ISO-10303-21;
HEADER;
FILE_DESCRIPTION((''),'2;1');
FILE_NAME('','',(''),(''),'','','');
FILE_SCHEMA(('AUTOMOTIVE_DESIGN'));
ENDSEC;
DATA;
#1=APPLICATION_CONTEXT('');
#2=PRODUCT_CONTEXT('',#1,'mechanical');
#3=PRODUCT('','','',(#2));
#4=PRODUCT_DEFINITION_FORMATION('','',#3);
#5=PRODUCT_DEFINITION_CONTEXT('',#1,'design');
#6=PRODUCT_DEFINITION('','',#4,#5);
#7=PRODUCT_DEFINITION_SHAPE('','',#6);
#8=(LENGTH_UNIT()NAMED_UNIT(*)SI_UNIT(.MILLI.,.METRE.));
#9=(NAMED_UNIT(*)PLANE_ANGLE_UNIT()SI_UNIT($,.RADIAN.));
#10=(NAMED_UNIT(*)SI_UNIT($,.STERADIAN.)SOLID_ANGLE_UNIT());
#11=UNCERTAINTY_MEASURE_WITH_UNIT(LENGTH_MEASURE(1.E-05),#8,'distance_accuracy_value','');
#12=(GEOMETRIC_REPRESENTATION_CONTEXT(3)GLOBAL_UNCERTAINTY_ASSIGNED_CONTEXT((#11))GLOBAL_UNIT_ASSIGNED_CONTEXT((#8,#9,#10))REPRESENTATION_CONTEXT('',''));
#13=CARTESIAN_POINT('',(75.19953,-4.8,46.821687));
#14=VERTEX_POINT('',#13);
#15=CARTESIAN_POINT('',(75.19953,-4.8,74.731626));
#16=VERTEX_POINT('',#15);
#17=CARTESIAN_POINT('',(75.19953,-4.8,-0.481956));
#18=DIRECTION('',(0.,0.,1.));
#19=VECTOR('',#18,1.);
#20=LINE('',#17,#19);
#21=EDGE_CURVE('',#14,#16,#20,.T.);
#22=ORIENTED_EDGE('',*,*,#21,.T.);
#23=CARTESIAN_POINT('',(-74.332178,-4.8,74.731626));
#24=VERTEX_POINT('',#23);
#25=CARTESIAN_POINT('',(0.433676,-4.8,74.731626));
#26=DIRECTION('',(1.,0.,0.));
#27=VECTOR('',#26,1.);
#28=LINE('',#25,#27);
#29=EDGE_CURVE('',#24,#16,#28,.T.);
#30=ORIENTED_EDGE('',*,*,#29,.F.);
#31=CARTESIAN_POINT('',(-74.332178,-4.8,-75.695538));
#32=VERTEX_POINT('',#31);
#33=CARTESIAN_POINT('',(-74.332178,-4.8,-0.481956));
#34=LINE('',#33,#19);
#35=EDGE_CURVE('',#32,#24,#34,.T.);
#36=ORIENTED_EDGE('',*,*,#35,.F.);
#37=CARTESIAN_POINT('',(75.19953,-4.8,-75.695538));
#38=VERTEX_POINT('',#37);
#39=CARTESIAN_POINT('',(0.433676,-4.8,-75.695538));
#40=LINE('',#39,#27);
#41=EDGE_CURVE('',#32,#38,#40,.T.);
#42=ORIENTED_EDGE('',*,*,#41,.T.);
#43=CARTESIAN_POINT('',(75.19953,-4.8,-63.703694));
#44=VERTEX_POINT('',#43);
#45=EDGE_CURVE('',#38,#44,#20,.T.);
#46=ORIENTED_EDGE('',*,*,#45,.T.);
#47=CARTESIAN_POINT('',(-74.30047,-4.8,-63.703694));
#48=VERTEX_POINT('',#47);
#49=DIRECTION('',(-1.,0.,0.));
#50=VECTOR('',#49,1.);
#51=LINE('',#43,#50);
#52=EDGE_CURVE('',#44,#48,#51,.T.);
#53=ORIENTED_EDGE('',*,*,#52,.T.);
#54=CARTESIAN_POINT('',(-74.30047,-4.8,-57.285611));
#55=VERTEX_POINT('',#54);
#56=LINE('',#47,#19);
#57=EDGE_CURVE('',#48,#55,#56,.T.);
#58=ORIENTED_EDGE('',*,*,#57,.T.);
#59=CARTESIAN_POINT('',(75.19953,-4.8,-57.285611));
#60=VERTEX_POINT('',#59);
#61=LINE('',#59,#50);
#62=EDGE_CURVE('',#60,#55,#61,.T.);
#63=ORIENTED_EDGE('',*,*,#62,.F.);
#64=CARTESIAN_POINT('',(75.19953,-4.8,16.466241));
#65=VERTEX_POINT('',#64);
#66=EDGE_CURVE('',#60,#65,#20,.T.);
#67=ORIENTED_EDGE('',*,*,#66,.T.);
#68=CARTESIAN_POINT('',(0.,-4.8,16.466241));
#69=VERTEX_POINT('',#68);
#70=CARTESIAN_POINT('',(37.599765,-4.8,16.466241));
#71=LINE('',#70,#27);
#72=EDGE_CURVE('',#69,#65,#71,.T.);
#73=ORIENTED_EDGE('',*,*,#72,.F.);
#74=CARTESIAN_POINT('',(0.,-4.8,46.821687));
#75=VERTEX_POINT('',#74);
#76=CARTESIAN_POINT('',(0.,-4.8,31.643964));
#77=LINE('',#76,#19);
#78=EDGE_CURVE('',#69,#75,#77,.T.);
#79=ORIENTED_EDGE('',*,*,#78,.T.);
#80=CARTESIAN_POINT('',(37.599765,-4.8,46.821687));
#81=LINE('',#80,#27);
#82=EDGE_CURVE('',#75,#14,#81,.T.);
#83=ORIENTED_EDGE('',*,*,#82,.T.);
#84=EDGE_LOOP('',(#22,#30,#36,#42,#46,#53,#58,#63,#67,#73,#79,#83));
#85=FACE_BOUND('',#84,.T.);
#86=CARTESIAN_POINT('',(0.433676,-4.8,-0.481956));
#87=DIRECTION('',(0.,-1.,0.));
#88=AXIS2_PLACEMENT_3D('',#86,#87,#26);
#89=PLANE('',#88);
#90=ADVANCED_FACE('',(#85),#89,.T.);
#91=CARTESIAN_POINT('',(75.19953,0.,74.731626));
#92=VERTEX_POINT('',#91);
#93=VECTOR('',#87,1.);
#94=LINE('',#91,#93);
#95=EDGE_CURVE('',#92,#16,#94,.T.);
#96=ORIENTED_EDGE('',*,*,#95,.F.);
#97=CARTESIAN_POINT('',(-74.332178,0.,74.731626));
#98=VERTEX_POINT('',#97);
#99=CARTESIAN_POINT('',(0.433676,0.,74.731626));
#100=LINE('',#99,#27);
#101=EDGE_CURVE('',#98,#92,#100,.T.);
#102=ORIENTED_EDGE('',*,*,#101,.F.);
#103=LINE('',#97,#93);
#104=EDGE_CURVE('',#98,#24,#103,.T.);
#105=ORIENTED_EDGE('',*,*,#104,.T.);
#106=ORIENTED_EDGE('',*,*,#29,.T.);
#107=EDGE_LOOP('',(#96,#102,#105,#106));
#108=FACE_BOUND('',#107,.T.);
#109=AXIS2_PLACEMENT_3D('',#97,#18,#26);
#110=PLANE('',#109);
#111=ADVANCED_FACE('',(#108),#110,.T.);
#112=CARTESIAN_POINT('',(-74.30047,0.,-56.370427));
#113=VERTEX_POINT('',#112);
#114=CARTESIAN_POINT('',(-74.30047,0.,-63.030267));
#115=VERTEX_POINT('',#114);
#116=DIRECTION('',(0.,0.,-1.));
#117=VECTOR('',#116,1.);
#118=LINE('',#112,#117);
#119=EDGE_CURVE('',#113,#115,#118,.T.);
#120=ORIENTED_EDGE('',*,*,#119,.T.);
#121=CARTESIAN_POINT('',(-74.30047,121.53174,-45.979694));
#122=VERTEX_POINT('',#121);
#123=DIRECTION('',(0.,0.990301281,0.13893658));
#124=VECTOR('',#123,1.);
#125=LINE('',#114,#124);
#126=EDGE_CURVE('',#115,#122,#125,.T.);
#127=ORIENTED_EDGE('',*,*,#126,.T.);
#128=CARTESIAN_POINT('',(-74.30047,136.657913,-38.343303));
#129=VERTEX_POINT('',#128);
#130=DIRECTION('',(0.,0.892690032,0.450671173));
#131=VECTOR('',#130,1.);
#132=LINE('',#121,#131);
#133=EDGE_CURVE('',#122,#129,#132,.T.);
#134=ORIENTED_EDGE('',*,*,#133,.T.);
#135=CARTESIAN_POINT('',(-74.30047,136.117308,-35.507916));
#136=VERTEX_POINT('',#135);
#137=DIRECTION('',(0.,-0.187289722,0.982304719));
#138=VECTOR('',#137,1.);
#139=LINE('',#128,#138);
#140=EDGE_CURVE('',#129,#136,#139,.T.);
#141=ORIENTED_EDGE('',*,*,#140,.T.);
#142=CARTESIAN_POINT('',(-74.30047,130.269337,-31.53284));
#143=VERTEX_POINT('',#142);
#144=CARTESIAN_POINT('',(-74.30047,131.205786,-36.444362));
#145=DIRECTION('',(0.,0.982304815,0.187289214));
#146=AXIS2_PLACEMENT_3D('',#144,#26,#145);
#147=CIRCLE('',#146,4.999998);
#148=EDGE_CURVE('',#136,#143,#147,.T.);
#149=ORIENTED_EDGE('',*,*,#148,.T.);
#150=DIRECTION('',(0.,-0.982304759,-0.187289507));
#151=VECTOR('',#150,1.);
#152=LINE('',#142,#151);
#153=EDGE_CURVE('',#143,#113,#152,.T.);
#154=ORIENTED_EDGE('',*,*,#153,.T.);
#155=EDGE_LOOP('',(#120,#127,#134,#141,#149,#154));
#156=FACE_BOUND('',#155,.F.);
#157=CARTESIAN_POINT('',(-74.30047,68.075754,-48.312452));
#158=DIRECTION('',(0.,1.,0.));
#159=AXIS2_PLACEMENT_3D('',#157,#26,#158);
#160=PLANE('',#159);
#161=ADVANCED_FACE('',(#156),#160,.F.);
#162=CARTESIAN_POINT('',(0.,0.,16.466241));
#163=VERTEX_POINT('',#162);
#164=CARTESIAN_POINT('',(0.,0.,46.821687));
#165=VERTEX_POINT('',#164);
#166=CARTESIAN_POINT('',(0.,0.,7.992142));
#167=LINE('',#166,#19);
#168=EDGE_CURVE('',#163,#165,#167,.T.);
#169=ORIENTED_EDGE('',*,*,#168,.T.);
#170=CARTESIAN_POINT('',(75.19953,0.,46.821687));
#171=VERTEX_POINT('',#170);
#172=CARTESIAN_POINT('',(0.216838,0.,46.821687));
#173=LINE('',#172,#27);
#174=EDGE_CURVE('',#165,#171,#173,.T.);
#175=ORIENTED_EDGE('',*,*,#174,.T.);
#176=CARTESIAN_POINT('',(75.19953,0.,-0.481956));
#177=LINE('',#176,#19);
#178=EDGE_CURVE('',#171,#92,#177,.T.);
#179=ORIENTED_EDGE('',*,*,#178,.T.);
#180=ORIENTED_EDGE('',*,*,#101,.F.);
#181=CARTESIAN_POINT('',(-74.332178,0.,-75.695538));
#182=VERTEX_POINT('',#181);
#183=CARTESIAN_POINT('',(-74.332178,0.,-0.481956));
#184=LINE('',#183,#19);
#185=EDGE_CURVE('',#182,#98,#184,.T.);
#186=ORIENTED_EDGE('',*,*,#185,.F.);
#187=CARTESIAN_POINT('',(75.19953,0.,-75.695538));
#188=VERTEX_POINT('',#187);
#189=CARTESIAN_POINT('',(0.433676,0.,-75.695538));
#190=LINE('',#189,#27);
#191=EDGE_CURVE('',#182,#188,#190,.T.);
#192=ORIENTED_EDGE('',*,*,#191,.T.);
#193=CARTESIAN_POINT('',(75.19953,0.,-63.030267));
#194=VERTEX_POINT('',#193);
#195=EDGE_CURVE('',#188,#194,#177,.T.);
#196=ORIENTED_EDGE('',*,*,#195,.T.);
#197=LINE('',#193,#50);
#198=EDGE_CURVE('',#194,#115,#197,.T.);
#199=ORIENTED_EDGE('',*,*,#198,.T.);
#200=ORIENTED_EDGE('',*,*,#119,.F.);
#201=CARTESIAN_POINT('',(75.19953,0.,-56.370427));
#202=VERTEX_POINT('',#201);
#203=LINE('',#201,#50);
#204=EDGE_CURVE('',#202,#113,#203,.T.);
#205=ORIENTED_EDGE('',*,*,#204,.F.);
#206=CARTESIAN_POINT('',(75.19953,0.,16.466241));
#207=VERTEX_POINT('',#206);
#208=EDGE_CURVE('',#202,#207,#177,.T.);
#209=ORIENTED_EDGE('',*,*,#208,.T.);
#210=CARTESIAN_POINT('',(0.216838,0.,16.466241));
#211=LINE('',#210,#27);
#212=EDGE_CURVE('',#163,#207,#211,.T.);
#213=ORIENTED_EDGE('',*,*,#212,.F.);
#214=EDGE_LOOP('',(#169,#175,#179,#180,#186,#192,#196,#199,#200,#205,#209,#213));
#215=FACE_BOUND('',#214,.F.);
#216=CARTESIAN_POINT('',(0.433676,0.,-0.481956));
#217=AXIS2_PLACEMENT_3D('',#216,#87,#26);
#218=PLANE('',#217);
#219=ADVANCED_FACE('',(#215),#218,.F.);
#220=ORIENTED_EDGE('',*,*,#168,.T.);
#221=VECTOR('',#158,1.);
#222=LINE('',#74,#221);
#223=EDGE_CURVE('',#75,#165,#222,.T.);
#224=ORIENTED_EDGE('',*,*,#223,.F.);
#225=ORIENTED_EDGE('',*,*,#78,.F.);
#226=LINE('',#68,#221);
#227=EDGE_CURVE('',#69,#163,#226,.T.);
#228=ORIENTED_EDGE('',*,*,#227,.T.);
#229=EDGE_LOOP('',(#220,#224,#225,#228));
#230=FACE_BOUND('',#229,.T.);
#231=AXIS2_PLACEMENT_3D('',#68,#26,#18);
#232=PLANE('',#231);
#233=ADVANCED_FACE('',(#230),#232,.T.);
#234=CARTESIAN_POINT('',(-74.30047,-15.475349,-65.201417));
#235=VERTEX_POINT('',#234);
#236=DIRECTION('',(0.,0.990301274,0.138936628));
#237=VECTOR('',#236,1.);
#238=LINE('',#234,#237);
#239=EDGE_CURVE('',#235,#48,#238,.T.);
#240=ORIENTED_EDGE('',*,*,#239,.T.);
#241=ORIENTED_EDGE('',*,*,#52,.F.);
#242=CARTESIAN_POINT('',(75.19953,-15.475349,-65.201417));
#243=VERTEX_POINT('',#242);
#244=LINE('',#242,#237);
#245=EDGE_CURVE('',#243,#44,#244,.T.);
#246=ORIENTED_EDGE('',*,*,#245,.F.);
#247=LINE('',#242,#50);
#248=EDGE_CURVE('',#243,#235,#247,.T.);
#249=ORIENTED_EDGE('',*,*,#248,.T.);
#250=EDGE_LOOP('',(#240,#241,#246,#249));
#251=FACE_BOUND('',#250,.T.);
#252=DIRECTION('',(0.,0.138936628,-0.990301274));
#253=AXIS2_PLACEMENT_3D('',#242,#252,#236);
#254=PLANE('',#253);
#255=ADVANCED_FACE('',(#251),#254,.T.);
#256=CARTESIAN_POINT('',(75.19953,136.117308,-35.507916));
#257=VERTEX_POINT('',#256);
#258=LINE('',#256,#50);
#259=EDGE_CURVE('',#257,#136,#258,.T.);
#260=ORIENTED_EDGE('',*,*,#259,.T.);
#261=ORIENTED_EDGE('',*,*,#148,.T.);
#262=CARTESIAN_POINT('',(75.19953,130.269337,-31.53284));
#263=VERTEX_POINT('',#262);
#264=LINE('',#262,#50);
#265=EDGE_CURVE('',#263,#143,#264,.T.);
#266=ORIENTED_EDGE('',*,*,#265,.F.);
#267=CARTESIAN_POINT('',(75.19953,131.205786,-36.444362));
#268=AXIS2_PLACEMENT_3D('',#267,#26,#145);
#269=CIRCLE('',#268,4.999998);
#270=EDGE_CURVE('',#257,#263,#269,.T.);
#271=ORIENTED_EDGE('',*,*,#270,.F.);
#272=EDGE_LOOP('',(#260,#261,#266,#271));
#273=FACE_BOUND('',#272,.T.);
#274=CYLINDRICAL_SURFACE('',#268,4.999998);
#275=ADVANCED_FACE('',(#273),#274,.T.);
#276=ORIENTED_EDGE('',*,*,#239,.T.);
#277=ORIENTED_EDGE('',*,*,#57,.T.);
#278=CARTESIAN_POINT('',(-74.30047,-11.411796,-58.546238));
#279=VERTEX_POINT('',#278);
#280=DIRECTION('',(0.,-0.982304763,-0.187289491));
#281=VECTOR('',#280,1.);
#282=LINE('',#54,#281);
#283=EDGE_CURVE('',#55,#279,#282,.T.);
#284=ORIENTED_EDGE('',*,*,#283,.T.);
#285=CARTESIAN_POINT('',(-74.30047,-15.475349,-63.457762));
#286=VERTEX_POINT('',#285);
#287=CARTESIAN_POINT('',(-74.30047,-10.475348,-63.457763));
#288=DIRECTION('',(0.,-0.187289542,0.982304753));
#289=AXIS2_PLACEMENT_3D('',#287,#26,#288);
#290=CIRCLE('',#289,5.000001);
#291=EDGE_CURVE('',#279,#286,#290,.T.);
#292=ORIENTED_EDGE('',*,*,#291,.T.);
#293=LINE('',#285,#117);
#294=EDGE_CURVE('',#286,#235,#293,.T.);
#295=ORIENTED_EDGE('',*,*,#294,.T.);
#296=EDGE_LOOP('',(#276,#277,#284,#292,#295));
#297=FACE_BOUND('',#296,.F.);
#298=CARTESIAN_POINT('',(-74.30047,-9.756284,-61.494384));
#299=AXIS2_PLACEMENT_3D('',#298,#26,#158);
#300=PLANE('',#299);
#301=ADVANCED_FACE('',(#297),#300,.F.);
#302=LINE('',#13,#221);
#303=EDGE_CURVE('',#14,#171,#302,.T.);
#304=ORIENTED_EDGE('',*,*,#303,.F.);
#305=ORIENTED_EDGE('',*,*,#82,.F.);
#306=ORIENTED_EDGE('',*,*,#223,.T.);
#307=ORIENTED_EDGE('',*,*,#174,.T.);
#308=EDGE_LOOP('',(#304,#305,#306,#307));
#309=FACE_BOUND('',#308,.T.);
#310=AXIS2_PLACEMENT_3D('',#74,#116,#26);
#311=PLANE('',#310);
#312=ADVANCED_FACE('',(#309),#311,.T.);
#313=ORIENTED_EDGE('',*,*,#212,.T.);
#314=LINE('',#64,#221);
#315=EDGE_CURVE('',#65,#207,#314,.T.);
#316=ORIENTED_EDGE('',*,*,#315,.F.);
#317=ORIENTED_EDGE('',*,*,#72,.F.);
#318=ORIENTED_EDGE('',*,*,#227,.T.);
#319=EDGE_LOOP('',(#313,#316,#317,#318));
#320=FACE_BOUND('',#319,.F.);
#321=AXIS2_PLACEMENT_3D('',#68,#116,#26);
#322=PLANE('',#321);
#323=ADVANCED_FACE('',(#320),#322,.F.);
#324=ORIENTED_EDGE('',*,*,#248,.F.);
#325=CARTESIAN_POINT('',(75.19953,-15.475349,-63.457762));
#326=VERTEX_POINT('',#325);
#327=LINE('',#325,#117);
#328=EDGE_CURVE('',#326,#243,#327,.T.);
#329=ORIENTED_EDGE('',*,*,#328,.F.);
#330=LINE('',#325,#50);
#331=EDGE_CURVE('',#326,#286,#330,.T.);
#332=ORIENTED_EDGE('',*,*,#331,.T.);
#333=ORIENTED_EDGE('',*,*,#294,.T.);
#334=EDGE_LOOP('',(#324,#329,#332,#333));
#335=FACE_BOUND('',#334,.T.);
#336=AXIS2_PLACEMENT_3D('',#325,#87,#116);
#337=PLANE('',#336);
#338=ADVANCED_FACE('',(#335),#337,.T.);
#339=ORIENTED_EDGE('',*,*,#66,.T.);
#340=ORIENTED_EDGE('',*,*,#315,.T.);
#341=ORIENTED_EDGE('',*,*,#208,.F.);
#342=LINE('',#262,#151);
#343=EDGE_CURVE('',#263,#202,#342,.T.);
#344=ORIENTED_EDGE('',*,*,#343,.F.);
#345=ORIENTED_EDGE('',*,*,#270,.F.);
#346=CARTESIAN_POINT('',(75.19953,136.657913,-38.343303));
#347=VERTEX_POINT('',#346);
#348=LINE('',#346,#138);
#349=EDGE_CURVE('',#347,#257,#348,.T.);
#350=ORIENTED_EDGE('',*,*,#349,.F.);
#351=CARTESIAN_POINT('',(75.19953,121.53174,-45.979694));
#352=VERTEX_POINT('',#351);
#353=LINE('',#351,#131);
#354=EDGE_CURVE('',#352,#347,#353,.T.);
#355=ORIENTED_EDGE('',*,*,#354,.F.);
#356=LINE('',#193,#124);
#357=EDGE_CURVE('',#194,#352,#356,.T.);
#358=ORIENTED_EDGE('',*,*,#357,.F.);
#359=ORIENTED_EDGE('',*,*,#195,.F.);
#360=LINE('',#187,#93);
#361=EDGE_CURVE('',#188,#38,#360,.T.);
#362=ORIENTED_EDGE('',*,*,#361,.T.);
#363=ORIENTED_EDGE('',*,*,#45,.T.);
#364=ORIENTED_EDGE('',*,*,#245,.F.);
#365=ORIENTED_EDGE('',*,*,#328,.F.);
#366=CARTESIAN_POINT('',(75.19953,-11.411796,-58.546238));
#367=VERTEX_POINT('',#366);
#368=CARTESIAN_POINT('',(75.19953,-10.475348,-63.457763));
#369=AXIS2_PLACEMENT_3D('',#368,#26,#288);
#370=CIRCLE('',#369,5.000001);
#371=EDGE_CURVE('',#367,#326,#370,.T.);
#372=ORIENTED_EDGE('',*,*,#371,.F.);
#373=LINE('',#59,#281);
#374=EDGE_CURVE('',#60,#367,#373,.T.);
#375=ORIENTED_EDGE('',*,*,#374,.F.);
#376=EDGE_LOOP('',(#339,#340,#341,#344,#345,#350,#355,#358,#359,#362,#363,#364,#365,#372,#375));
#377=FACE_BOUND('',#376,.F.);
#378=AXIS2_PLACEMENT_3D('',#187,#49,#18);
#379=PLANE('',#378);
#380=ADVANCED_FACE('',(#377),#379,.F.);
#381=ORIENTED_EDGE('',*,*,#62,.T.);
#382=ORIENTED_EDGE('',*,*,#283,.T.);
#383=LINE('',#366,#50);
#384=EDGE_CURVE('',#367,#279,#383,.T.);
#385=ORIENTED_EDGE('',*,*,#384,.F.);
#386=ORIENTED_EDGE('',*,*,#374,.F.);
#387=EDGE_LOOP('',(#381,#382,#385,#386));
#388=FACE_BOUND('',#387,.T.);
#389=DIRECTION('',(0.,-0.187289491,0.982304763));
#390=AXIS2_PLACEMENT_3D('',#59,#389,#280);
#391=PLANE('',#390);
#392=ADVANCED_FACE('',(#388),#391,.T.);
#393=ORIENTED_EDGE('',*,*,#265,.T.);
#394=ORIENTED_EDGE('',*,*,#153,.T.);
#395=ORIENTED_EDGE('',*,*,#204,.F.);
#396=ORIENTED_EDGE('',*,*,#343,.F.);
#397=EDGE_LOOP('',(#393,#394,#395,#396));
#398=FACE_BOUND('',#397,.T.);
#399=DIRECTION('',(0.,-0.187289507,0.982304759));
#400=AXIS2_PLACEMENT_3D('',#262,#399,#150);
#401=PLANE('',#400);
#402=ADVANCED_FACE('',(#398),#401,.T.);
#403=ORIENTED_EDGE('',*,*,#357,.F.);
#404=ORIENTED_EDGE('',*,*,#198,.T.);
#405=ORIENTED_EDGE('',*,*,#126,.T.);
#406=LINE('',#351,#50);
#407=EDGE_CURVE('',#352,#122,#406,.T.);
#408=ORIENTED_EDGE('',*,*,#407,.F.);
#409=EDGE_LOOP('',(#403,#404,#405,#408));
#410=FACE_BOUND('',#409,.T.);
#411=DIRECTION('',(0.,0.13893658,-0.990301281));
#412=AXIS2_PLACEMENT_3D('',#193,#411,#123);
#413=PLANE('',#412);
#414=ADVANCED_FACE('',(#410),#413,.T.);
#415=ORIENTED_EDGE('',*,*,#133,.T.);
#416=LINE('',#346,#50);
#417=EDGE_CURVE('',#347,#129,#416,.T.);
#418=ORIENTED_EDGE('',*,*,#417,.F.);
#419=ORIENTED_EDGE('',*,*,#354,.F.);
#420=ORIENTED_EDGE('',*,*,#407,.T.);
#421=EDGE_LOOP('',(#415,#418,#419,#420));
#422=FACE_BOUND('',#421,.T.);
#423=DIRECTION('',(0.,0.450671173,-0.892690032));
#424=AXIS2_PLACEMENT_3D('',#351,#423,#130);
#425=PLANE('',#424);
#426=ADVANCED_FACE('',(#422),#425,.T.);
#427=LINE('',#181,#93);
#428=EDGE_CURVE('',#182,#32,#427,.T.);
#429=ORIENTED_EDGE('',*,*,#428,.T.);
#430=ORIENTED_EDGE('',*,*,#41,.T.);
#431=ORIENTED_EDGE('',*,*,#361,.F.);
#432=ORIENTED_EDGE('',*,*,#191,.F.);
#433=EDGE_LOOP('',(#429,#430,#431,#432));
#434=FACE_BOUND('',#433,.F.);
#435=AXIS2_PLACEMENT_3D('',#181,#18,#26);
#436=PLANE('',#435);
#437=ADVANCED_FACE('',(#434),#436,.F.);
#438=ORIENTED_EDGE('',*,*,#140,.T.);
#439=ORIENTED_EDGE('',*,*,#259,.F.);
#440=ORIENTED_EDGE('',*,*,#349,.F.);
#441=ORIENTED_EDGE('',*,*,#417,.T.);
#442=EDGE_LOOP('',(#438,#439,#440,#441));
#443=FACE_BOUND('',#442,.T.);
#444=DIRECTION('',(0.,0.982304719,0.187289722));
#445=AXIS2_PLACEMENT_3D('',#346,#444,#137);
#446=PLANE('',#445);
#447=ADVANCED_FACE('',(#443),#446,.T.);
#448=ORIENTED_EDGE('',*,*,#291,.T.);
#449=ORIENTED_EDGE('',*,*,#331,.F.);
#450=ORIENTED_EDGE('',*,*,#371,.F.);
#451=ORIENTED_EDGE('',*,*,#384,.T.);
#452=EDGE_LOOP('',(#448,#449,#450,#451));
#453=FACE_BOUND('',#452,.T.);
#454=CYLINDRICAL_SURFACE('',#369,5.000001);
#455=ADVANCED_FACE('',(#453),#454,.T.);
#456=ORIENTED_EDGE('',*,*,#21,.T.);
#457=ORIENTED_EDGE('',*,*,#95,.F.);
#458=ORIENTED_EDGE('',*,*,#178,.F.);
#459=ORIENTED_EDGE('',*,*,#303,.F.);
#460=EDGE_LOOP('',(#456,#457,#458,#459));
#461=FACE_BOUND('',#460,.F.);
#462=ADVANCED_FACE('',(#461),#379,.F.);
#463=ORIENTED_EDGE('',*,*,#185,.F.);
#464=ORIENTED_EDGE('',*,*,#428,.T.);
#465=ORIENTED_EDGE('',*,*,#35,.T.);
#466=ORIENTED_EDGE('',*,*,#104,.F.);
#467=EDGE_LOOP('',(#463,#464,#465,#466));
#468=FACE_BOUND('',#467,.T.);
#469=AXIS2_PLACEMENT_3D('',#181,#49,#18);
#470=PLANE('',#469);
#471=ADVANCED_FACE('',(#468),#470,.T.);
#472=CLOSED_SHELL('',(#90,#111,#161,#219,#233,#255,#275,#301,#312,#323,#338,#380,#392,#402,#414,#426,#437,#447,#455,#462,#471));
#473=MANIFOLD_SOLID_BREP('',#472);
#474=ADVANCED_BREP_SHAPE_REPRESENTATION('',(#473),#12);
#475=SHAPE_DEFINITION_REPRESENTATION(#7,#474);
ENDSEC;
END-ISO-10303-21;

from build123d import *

# Parameters (mm, degrees)
F0_W     = 149.531708
F0_H     = 150.427163
F1_DEPTH = 4.8
F2_W     = 75.19953
F2_H     = 30.355446
F3_DEPTH = 33
F5_DEPTH = 149.5


with BuildPart() as f1:
    # F0 (on Front) → F1 (new body)
    with BuildSketch(Plane.XZ):
        with Locations((0.433676, -0.481956)):
            Rectangle(F0_W, F0_H)
    extrude(amount=F1_DEPTH)

    # F2 (on face) → F3 (cut)
    with BuildSketch(Plane.XZ.offset(4.8)):
        with Locations((37.599765, 31.643964)):
            Rectangle(F2_W, F2_H)
    extrude(amount=-F3_DEPTH, mode=Mode.SUBTRACT)

    # F4 (on face) → F5 (join)
    with BuildSketch(Plane.YZ.offset(75.19953)):
        with BuildLine():
            Line((0, -56.370427), (0, -63.030267))
            Line((0, -63.030267), (121.53174, -45.979694))
            Line((121.53174, -45.979694), (136.657913, -38.343303))
            Line((136.657913, -38.343303), (136.117308, -35.507916))
            ThreePointArc((136.117308, -35.507916), (134.016588, -32.309223), (130.269337, -31.53284))
            Line((130.269337, -31.53284), (0, -56.370427))
        make_face()
        with BuildLine():
            Line((-15.475349, -63.457762), (-15.475349, -65.201417))
            Line((-15.475349, -65.201417), (-4.8, -63.703694))
            Line((-4.8, -63.703694), (-4.8, -57.285611))
            Line((-4.8, -57.285611), (-11.411796, -58.546238))
            ThreePointArc((-11.411796, -58.546238), (-14.327766, -60.270462), (-15.475349, -63.457762))
        make_face()
    extrude(amount=-F5_DEPTH)


solid = f1.part
